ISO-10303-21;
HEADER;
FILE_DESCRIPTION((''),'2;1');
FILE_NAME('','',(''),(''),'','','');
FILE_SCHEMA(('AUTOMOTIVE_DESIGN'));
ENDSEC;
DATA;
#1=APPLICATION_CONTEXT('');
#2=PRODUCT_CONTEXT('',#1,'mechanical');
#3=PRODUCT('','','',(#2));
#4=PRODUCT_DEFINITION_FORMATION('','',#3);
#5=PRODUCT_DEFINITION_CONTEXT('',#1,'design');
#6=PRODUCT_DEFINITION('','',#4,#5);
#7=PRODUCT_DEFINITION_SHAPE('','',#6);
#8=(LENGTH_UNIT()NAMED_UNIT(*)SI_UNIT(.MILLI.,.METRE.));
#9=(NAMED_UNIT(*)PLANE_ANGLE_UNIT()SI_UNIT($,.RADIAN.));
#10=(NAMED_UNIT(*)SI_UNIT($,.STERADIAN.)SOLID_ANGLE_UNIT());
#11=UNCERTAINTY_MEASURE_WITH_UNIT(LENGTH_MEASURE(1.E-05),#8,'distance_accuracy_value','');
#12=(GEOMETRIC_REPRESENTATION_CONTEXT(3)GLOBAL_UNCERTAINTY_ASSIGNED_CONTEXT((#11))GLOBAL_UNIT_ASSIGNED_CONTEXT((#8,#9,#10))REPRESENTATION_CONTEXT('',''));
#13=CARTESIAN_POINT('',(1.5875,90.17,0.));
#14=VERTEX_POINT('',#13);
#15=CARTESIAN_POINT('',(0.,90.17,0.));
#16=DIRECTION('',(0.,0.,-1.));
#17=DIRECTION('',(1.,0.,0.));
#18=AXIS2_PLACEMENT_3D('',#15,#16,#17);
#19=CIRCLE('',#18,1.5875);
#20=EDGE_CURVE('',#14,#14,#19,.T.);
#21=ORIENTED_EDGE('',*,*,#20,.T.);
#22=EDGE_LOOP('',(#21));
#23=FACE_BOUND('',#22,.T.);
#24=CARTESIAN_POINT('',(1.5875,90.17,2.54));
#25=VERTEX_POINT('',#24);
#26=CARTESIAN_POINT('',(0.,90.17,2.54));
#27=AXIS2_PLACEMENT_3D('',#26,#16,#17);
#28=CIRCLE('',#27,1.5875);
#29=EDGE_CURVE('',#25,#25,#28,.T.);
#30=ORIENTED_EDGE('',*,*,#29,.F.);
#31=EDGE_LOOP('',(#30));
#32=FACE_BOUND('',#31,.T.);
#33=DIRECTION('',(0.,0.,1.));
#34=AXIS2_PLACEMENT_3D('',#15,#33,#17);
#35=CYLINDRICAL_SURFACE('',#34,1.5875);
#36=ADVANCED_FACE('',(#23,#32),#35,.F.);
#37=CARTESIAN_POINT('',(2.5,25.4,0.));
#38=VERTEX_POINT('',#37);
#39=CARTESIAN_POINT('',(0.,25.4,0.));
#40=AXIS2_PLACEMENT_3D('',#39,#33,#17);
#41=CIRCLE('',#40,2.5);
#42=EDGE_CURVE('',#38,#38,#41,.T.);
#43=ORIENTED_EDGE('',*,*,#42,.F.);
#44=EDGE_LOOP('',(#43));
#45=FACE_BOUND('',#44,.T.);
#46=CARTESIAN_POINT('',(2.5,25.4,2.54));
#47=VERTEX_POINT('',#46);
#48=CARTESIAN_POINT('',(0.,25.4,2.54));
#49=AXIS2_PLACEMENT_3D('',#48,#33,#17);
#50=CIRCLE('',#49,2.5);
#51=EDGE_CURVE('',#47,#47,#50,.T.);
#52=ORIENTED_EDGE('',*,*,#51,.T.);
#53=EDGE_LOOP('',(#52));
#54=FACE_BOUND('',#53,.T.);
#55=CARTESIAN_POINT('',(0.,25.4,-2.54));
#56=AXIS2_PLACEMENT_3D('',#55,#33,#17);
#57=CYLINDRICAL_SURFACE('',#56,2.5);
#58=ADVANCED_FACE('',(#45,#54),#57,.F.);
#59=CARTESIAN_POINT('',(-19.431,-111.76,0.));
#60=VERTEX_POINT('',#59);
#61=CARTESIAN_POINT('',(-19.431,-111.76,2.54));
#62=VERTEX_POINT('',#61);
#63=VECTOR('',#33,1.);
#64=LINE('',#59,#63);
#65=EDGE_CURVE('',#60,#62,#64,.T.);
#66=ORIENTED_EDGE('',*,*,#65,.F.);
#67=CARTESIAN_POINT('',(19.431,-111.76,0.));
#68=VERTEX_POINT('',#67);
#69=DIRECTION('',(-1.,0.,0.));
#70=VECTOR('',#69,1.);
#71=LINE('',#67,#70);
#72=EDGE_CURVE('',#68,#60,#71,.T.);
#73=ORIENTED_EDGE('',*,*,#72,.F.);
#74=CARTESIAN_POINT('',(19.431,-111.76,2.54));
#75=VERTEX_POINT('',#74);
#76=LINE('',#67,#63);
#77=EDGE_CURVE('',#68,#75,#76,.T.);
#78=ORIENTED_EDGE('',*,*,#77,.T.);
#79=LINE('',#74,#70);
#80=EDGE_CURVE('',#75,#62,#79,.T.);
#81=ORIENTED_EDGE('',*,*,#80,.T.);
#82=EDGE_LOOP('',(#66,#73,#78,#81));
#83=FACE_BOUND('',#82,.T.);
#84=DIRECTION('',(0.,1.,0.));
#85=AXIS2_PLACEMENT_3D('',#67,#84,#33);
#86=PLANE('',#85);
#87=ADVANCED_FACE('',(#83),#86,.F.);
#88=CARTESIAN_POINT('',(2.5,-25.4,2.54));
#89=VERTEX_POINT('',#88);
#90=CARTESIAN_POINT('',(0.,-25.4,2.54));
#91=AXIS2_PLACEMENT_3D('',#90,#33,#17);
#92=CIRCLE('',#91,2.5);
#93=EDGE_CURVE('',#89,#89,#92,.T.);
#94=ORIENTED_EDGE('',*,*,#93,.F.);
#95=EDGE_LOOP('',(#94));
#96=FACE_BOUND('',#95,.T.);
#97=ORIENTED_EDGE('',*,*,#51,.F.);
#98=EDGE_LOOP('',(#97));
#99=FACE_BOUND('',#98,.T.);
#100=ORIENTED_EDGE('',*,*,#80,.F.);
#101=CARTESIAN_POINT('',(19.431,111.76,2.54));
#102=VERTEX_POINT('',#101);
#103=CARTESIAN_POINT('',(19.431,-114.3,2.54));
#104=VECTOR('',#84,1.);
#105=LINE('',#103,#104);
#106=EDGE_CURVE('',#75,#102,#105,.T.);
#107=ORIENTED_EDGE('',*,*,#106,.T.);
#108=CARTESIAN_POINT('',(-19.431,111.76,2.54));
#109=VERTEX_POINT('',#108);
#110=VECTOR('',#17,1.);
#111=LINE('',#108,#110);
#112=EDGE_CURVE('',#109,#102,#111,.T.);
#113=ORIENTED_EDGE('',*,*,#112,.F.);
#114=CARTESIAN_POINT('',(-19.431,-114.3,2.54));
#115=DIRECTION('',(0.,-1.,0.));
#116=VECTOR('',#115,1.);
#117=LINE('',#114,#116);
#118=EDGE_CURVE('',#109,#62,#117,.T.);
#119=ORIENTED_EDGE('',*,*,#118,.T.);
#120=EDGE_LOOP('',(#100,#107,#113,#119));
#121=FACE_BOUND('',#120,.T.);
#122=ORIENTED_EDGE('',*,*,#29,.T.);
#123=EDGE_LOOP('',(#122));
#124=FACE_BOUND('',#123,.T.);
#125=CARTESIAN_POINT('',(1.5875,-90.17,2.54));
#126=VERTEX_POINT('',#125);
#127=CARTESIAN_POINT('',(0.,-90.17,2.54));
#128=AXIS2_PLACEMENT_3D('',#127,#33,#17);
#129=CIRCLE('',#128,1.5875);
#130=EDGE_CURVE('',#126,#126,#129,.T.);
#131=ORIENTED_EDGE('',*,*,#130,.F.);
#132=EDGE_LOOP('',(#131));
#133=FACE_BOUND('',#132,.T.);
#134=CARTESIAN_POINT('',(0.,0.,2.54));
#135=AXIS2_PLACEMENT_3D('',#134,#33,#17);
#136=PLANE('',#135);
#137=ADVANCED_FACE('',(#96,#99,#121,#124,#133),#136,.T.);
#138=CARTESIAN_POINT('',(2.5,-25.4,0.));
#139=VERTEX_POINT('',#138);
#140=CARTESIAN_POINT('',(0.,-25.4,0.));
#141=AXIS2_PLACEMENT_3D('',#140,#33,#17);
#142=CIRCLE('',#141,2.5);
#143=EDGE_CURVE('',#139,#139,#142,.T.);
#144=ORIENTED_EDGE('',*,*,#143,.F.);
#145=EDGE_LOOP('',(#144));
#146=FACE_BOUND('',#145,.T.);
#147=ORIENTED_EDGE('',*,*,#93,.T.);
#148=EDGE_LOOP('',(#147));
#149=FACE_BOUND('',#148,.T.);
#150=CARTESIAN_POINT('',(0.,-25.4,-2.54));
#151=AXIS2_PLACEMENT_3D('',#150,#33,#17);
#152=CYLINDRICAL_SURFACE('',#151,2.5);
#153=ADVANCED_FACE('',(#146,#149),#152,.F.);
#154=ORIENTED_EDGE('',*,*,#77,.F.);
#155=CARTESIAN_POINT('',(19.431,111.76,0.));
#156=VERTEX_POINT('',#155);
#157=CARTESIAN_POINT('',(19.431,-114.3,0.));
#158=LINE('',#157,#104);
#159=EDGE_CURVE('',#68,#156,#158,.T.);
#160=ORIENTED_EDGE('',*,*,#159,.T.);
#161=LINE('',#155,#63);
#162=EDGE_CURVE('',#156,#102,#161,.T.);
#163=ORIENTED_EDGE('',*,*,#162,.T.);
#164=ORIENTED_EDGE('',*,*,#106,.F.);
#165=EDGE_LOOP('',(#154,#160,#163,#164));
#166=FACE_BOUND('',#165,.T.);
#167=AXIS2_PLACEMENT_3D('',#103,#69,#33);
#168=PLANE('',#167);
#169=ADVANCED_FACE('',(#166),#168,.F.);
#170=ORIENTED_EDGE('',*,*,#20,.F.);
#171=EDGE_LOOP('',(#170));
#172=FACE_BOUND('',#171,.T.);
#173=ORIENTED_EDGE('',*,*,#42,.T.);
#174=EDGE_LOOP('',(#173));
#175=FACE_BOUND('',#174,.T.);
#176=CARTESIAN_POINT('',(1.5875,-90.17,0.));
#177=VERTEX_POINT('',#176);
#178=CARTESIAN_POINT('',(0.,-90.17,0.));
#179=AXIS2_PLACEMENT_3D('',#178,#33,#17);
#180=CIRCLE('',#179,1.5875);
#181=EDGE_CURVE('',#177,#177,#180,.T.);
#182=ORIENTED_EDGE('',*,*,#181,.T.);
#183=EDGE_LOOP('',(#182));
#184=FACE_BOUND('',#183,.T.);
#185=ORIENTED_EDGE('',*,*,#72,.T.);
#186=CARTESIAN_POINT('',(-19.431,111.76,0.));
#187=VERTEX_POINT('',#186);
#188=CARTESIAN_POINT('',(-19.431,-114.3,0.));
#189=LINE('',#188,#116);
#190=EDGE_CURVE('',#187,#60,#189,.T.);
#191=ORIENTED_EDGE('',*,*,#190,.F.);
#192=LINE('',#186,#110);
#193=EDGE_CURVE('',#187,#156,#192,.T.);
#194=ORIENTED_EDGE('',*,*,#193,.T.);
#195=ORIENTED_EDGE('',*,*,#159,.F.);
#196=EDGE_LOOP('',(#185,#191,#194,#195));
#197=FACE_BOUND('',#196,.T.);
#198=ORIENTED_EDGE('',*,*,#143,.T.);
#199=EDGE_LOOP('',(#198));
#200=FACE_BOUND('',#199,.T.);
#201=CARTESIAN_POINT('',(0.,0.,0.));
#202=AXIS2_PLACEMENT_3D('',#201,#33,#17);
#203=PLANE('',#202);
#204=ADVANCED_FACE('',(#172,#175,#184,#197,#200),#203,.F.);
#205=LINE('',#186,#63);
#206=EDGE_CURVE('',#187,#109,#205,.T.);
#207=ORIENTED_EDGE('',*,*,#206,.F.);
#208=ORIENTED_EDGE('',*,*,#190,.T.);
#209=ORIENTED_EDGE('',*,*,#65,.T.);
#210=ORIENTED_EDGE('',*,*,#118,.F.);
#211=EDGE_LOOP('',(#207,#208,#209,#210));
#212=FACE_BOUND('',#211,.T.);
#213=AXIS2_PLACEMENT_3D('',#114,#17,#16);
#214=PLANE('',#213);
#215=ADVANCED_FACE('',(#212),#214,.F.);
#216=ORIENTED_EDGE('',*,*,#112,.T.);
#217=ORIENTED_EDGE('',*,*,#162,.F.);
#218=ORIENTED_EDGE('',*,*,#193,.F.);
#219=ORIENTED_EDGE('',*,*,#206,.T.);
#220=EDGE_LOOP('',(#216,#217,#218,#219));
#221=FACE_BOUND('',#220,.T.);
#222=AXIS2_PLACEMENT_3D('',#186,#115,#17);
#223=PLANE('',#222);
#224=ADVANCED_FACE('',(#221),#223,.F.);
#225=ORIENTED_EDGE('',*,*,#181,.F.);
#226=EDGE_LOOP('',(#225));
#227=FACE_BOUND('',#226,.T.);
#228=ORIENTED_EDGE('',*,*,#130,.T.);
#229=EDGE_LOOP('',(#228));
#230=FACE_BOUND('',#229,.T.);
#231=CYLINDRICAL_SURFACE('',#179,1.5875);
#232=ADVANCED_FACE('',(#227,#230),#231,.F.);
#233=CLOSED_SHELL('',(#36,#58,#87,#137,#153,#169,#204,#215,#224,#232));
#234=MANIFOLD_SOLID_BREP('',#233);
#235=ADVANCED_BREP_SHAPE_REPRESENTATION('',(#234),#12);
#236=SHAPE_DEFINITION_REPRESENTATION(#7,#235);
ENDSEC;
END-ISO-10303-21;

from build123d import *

# Parameters (mm, degrees)
SKETCH1_W           = 38.862
SKETCH1_H           = 228.6
BOSS_EXTRUDE1_DEPTH = 2.54
SKETCH2_R           = 1.5875
CUT_EXTRUDE1_DEPTH  = 116.967691022
SKETCH3_R           = 2.5
CUT_EXTRUDE2_DEPTH  = 5.08
SKETCH4_W           = 38.862
SKETCH4_H           = 2.54
CUT_EXTRUDE3_DEPTH  = 116.967691022


with BuildPart() as part:
    # Sketch1 → Boss-Extrude1 (new body)
    with BuildSketch(Plane.XY):
        Rectangle(SKETCH1_W, SKETCH1_H)
    extrude(amount=BOSS_EXTRUDE1_DEPTH)

    # Sketch2 → Cut-Extrude1 (cut, through all)
    with BuildSketch(Plane.XY.offset(2.54)):
        with Locations((0, -90.17)):
            Circle(SKETCH2_R)
    cut_extrude1 = extrude(amount=-CUT_EXTRUDE1_DEPTH, mode=Mode.SUBTRACT)

    # Mirror1: Cut-Extrude1 across plane
    add(cut_extrude1.mirror(Plane.ZX), mode=Mode.SUBTRACT)

    # Sketch3 → Cut-Extrude2 (cut)
    with BuildSketch(Plane.XY.offset(2.54)):
        with Locations((0, -25.4)):
            Circle(SKETCH3_R)
        with Locations((0, 25.4)):
            Circle(SKETCH3_R)
    extrude(amount=-CUT_EXTRUDE2_DEPTH, mode=Mode.SUBTRACT)

    # Sketch4 → Cut-Extrude3 (cut, through all)
    with BuildSketch(Plane.XY.offset(2.54)):
        with Locations((0, 113.03)):
            Rectangle(SKETCH4_W, SKETCH4_H)
        with Locations((0, -113.03)):
            Rectangle(SKETCH4_W, SKETCH4_H)
    extrude(amount=-CUT_EXTRUDE3_DEPTH, mode=Mode.SUBTRACT)


solid = part.part
